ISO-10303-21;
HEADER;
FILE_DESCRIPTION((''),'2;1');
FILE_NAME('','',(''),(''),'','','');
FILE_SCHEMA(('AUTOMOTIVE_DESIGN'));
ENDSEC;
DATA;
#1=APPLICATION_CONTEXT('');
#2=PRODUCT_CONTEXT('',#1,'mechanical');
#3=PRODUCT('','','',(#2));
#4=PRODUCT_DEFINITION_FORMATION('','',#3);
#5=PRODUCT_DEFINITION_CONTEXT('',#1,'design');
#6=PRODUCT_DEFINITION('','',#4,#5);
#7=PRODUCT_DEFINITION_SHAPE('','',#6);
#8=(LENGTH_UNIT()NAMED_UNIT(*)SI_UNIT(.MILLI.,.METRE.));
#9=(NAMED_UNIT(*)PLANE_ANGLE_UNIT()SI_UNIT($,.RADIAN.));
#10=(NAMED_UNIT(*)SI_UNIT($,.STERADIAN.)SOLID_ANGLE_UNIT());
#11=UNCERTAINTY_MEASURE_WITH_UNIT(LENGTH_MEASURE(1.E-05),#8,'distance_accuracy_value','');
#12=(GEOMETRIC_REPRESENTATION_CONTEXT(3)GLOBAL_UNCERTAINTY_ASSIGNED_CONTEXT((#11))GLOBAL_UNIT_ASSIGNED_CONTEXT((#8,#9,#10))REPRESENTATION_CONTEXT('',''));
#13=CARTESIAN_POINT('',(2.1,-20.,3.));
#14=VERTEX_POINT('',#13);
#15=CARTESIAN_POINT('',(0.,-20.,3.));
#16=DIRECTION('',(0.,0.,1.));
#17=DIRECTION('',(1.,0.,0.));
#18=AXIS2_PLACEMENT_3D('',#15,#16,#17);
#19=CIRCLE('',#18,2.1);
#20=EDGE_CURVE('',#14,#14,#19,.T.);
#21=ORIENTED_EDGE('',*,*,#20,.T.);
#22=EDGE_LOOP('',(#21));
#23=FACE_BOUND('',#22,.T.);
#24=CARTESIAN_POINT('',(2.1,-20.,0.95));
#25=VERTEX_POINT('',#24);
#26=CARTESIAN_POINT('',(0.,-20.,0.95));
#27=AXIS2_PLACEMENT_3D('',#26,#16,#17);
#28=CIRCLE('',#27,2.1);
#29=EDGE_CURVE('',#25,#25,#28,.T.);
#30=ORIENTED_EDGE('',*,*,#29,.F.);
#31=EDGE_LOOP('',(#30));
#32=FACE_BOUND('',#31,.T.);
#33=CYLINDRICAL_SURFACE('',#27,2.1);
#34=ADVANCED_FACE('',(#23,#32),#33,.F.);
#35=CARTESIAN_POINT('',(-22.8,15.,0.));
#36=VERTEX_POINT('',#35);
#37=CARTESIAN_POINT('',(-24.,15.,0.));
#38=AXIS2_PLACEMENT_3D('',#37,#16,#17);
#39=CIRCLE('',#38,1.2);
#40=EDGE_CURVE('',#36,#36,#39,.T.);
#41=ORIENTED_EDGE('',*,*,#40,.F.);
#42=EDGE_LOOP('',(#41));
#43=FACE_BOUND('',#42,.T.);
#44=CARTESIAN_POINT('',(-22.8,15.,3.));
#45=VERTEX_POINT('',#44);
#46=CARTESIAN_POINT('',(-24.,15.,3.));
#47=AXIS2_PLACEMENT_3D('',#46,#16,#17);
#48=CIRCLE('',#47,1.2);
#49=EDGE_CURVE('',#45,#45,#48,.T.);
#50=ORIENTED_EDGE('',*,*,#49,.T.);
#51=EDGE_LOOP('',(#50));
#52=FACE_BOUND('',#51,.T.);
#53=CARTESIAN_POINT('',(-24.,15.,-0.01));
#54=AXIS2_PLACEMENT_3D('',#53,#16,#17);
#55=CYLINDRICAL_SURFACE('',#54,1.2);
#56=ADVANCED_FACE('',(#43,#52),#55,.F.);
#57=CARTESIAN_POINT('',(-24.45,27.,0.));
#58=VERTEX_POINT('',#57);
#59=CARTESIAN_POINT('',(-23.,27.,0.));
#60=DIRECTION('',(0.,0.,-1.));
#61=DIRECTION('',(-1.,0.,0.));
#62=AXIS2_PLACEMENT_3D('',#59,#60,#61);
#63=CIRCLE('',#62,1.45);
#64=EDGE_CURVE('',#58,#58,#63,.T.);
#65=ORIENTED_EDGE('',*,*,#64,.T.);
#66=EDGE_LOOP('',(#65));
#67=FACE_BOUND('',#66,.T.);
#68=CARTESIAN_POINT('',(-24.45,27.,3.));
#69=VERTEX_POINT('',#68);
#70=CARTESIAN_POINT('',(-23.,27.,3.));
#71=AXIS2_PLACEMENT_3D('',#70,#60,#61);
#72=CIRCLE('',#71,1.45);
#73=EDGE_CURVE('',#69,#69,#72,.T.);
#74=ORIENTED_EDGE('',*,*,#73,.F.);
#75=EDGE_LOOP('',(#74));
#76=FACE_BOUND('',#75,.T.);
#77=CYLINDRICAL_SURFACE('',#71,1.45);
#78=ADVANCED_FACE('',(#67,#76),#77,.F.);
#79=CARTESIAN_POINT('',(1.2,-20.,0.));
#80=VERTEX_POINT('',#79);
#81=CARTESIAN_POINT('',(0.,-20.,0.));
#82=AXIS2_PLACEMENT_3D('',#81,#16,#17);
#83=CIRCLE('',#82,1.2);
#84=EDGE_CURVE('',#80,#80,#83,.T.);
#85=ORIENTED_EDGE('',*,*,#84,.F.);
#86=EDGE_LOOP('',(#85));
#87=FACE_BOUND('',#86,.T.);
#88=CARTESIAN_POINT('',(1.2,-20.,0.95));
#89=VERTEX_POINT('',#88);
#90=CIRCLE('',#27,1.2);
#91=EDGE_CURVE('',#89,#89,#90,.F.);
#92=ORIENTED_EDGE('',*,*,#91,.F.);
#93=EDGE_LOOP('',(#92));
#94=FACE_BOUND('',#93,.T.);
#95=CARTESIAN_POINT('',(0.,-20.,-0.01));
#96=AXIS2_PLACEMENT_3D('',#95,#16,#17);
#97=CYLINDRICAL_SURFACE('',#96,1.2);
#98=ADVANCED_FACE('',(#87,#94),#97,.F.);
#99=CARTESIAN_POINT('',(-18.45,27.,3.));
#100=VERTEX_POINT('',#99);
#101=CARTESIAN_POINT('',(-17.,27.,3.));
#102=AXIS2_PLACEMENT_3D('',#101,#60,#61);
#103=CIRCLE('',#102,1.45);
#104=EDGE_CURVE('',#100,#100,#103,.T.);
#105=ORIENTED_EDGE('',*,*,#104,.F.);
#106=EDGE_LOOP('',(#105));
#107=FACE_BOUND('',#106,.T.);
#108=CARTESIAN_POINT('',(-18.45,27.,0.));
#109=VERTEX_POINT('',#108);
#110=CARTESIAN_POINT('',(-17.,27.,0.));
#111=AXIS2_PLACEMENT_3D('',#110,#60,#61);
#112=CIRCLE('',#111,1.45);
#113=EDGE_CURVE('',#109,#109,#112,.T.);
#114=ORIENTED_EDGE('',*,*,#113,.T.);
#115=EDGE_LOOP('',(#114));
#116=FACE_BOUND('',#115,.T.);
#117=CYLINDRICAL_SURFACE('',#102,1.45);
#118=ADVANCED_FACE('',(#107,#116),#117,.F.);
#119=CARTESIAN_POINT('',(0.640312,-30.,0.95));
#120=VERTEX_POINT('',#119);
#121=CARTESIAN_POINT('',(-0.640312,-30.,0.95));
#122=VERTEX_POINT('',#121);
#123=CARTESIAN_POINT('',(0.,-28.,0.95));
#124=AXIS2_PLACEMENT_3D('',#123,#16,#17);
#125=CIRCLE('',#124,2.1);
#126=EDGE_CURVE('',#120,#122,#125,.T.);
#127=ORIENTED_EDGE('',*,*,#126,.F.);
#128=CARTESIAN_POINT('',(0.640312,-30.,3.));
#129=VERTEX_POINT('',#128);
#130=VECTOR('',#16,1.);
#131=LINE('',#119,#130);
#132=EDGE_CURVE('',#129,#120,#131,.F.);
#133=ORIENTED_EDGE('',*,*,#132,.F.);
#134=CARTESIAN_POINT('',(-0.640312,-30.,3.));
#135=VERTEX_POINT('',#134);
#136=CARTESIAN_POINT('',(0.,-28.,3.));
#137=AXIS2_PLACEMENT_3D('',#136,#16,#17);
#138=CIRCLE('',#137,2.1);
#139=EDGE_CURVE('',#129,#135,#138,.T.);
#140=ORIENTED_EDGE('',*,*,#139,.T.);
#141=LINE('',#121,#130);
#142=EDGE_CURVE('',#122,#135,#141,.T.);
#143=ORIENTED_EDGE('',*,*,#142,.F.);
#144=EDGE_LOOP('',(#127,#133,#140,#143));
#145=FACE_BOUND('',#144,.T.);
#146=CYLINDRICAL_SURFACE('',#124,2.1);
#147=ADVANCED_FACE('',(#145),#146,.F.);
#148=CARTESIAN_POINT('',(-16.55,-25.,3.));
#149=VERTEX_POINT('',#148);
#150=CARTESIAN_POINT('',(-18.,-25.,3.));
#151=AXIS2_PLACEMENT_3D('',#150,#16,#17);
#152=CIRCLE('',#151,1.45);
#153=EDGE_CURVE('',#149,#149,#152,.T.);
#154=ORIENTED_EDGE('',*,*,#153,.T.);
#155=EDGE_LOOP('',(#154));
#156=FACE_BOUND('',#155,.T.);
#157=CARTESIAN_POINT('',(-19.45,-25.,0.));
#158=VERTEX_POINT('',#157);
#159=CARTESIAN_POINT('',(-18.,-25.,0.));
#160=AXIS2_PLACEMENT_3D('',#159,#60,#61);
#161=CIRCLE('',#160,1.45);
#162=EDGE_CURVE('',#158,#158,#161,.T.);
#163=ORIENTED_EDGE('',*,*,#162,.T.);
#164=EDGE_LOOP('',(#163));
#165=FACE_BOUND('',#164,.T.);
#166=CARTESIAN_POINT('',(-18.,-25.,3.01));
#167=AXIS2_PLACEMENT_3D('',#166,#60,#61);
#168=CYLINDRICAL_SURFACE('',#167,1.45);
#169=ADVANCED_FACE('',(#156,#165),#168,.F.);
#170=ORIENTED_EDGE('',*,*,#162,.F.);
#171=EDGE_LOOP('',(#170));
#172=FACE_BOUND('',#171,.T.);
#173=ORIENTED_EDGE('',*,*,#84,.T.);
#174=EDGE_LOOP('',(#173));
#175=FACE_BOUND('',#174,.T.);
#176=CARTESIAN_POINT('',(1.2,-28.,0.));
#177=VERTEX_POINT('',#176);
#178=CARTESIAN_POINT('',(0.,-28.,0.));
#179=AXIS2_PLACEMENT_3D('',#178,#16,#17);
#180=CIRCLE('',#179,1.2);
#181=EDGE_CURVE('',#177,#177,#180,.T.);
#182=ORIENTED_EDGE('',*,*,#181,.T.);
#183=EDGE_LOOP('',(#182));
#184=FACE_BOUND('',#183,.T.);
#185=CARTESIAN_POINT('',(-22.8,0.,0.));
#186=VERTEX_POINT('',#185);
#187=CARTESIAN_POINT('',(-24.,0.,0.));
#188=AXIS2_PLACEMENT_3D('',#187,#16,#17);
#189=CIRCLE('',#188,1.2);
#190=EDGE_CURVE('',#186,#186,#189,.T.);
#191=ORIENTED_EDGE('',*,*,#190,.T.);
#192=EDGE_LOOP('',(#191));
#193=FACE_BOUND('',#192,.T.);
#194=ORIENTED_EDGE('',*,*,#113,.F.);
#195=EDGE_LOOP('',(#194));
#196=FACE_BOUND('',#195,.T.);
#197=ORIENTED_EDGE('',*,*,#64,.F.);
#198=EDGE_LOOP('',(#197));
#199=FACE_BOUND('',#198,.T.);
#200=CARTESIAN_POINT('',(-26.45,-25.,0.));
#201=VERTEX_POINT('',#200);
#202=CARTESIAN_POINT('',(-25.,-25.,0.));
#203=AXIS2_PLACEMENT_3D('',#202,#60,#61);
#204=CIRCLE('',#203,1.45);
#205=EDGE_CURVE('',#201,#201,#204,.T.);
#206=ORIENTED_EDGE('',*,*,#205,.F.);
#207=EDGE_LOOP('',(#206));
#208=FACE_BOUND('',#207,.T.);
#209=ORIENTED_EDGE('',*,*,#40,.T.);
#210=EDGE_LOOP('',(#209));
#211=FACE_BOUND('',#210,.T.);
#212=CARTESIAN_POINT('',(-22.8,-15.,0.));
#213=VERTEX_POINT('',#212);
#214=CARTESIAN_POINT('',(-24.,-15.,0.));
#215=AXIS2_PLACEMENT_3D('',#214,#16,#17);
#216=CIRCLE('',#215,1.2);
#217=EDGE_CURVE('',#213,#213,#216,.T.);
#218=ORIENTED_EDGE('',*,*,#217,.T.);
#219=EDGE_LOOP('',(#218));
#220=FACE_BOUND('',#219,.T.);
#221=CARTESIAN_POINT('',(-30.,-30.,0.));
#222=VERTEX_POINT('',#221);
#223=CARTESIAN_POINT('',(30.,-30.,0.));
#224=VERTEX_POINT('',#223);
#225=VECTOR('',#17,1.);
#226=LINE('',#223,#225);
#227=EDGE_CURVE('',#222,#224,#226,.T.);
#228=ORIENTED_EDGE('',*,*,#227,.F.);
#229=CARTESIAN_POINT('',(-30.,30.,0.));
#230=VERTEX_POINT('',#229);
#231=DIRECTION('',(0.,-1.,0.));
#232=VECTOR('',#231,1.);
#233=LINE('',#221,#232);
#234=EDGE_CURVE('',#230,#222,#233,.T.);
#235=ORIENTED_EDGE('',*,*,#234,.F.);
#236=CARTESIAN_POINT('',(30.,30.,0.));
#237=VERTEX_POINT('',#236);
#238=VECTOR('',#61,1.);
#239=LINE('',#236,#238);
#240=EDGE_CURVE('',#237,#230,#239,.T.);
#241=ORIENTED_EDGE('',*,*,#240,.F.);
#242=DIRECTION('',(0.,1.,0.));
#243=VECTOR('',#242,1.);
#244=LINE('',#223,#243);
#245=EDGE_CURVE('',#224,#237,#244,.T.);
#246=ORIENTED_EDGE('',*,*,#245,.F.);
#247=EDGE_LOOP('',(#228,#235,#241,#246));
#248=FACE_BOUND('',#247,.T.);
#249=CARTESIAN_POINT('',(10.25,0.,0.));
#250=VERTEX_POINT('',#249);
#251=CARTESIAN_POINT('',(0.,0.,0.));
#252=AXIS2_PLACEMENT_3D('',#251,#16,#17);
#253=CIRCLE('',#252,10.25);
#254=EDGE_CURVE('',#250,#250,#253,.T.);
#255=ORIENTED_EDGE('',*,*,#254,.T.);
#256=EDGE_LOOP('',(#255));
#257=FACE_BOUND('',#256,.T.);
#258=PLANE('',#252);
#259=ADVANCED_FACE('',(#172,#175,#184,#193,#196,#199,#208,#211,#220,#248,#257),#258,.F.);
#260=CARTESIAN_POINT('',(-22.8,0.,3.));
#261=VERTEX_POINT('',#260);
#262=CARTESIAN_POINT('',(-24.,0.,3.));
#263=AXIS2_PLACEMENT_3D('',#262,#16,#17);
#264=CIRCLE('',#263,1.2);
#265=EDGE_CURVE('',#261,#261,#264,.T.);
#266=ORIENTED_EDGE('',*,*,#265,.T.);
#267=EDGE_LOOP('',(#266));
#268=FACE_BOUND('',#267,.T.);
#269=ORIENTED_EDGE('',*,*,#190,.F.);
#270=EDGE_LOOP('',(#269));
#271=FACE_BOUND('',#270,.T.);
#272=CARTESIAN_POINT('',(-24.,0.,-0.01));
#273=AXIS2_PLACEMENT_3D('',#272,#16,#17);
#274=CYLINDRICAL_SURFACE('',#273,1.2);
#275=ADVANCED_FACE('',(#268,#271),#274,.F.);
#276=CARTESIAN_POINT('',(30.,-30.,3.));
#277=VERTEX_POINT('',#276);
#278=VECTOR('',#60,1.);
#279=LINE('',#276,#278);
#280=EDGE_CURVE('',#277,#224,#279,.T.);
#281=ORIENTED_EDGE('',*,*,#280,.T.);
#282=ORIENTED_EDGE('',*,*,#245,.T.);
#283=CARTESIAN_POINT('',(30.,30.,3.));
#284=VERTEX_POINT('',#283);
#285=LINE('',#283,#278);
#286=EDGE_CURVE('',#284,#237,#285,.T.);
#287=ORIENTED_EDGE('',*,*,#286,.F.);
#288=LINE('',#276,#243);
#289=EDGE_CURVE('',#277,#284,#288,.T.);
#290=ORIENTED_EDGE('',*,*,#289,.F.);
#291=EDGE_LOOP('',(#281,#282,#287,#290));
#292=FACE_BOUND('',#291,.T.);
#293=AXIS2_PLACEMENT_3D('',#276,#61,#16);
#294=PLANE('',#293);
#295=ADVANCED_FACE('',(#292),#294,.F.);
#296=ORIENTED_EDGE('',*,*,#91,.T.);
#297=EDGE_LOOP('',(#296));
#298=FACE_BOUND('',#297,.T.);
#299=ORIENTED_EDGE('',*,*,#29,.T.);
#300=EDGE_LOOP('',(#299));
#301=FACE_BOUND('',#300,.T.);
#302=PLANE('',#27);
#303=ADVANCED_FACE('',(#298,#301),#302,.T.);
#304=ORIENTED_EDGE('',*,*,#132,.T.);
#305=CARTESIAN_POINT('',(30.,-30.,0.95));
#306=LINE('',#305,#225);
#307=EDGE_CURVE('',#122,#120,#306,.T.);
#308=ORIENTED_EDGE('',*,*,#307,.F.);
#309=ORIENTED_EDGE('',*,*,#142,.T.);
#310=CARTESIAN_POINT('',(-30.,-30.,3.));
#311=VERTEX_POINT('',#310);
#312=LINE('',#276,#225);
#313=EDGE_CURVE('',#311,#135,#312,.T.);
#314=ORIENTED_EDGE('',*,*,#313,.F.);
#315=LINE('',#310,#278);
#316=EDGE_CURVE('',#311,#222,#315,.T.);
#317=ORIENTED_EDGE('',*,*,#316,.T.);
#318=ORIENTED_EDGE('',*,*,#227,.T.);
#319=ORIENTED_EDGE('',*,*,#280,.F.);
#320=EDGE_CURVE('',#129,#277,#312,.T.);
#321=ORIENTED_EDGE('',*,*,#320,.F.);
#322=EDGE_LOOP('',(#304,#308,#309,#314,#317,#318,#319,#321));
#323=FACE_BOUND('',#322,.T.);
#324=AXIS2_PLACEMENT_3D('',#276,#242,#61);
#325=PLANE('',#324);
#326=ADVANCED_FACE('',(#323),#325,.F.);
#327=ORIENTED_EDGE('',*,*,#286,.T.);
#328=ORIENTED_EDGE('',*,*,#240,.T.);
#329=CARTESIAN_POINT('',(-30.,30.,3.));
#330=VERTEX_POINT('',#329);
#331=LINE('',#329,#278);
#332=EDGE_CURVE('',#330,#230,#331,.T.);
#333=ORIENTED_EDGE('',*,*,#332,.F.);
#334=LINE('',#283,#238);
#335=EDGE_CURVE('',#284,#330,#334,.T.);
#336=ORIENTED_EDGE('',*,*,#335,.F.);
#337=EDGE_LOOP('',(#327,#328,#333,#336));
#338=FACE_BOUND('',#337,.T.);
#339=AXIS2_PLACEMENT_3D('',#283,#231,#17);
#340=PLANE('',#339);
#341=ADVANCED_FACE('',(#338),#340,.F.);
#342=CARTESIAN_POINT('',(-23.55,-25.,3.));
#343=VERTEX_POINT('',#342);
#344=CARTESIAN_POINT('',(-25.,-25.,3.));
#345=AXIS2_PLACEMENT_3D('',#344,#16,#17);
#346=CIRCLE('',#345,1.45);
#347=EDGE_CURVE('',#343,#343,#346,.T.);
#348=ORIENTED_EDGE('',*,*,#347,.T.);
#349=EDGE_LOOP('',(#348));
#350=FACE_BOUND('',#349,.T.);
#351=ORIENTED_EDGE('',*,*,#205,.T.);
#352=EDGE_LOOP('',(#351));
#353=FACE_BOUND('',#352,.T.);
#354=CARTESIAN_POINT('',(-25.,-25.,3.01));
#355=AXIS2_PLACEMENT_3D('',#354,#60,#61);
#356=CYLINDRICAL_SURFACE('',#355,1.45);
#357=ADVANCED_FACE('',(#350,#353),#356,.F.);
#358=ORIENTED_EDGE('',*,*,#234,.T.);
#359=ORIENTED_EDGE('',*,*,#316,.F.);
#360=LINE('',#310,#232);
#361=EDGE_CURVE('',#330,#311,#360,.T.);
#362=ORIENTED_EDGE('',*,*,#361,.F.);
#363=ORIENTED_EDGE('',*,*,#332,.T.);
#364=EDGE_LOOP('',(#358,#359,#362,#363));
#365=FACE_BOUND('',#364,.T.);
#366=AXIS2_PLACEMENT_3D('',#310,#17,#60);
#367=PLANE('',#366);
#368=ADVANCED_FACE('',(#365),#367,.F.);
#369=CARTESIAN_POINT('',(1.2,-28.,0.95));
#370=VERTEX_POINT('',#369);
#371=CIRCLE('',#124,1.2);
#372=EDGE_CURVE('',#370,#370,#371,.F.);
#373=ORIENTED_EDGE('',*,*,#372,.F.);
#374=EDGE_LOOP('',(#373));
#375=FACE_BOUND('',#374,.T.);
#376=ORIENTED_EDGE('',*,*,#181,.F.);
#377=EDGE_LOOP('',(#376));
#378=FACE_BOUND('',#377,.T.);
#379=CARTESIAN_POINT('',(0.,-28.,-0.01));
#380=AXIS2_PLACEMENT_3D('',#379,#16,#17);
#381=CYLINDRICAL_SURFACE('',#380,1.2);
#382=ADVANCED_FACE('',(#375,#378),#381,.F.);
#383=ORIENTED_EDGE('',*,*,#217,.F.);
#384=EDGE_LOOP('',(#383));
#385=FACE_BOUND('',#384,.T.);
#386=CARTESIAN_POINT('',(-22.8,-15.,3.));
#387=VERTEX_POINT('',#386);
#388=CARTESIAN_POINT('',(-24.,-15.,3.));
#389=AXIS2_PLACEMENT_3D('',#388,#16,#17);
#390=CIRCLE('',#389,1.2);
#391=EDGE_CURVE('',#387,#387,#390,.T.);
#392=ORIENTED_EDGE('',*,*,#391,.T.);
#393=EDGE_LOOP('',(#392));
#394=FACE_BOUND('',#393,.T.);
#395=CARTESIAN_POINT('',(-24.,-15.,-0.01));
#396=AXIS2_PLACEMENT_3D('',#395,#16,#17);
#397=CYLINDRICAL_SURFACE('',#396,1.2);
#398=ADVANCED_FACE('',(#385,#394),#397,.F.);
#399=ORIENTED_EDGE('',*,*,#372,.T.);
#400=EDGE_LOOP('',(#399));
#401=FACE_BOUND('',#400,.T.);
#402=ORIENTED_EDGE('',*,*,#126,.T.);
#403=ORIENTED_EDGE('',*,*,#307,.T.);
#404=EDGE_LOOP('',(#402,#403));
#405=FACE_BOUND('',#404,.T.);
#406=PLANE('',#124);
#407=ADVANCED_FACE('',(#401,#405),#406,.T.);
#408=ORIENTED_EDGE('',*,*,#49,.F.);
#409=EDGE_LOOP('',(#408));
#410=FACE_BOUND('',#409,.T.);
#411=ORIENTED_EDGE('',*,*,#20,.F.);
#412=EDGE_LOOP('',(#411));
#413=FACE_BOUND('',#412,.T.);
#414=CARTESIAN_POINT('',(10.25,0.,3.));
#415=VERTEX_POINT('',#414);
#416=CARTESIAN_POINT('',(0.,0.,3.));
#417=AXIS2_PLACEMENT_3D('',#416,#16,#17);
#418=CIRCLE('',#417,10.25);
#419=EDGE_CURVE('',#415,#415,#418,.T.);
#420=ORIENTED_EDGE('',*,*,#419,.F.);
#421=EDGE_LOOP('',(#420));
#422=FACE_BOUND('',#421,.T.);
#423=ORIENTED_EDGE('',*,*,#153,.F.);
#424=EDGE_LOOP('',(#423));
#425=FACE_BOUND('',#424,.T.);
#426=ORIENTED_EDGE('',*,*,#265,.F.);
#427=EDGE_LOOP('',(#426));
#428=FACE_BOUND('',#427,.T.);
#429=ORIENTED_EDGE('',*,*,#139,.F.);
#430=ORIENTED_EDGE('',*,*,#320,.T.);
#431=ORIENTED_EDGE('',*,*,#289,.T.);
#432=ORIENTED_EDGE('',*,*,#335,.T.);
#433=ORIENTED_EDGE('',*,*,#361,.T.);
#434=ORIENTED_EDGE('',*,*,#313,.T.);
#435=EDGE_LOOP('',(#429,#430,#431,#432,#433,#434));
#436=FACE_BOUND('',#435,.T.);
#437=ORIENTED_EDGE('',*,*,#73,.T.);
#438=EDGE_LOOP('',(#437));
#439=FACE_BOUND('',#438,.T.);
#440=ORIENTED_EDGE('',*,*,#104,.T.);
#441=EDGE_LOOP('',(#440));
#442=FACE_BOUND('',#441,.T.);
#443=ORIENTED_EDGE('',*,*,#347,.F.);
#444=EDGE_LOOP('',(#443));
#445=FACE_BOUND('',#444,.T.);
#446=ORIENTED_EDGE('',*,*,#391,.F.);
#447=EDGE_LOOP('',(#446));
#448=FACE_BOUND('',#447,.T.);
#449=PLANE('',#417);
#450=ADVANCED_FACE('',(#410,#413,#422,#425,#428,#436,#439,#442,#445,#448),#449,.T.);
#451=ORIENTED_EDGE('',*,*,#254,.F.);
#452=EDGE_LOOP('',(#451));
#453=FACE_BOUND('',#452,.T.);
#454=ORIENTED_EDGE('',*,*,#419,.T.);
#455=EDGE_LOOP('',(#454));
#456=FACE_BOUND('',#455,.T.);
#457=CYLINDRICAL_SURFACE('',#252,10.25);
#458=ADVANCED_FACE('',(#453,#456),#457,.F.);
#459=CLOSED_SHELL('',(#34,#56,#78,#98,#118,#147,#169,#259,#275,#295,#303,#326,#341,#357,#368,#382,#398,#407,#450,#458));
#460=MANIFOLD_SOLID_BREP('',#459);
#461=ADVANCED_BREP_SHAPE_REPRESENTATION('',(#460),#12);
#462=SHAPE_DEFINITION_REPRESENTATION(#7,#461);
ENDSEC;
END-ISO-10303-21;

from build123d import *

# Parameters (mm, degrees)
SKETCH1_W                              = 60
SKETCH1_H                              = 60
BOSS_EXTRUDE1_DEPTH                    = 3
SKETCH2_R                              = 10.25
CUT_EXTRUDE1_DEPTH                     = 43.532340636
SKETCH3_R                              = 1.45
SERVO_Y_MOUNT_D2P9_DEPTH               = 3.01
SKETCH4_R                              = 1.45
CUT_EXTRUDE5_DEPTH                     = 43.532340636
SKETCH5_R                              = 1.2
GUIDERAIL1_D2P4_DEPTH                  = 3.01
SKETCH6_R                              = 1.2
GUIDEBLOCK2_D2P4_DEPTH                 = 3.01
SKETCH7_R                              = 2.1
GUIDEBLOCK2_HEADCOUNTERBORE_D4P2_DEPTH = 2.05


with BuildPart() as part:
    # Sketch1 → Boss-Extrude1 (new body)
    with BuildSketch(Plane.XY):
        Rectangle(SKETCH1_W, SKETCH1_H)
    extrude(amount=BOSS_EXTRUDE1_DEPTH)

    # Sketch2 → Cut-Extrude1 (cut, through all)
    with BuildSketch(Plane.XY.offset(3)):
        Circle(SKETCH2_R)
    extrude(amount=-CUT_EXTRUDE1_DEPTH, mode=Mode.SUBTRACT)

    # Sketch3 → Servo_Y_Mount_D2p9 (cut)
    with BuildSketch(Plane(origin=(0, 0, 0), x_dir=(-1, 0, 0), z_dir=(0, 0, -1))):
        with Locations((18, -25)):
            Circle(SKETCH3_R)
        with Locations((25, -25)):
            Circle(SKETCH3_R)
    extrude(amount=-SERVO_Y_MOUNT_D2P9_DEPTH, mode=Mode.SUBTRACT)

    # Sketch4 → Cut-Extrude5 (cut, through all)
    with BuildSketch(Plane(origin=(0, 0, 0), x_dir=(-1, 0, 0), z_dir=(0, 0, -1))):
        with Locations((17, 27)):
            Circle(SKETCH4_R)
        with Locations((23, 27)):
            Circle(SKETCH4_R)
    extrude(amount=-CUT_EXTRUDE5_DEPTH, mode=Mode.SUBTRACT)

    # Sketch5 → GuideRail1_D2p4 (cut)
    with BuildSketch(Plane.XY.offset(3)):
        with Locations((-24, -15)):
            Circle(SKETCH5_R)
        with Locations((-24, 0)):
            Circle(SKETCH5_R)
        with Locations((-24, 15)):
            Circle(SKETCH5_R)
    extrude(amount=-GUIDERAIL1_D2P4_DEPTH, mode=Mode.SUBTRACT)

    # Sketch6 → GuideBlock2_D2p4 (cut)
    with BuildSketch(Plane.XY.offset(3)):
        with Locations((0, -28)):
            Circle(SKETCH6_R)
        with Locations((0, -20)):
            Circle(SKETCH6_R)
    extrude(amount=-GUIDEBLOCK2_D2P4_DEPTH, mode=Mode.SUBTRACT)

    # Sketch7 → GuideBlock2_HeadCounterbore_D4p2 (cut)
    with BuildSketch(Plane.XY.offset(3)):
        with Locations((0, -28)):
            Circle(SKETCH7_R)
        with Locations((0, -20)):
            Circle(SKETCH7_R)
    extrude(amount=-GUIDEBLOCK2_HEADCOUNTERBORE_D4P2_DEPTH, mode=Mode.SUBTRACT)


solid = part.part
